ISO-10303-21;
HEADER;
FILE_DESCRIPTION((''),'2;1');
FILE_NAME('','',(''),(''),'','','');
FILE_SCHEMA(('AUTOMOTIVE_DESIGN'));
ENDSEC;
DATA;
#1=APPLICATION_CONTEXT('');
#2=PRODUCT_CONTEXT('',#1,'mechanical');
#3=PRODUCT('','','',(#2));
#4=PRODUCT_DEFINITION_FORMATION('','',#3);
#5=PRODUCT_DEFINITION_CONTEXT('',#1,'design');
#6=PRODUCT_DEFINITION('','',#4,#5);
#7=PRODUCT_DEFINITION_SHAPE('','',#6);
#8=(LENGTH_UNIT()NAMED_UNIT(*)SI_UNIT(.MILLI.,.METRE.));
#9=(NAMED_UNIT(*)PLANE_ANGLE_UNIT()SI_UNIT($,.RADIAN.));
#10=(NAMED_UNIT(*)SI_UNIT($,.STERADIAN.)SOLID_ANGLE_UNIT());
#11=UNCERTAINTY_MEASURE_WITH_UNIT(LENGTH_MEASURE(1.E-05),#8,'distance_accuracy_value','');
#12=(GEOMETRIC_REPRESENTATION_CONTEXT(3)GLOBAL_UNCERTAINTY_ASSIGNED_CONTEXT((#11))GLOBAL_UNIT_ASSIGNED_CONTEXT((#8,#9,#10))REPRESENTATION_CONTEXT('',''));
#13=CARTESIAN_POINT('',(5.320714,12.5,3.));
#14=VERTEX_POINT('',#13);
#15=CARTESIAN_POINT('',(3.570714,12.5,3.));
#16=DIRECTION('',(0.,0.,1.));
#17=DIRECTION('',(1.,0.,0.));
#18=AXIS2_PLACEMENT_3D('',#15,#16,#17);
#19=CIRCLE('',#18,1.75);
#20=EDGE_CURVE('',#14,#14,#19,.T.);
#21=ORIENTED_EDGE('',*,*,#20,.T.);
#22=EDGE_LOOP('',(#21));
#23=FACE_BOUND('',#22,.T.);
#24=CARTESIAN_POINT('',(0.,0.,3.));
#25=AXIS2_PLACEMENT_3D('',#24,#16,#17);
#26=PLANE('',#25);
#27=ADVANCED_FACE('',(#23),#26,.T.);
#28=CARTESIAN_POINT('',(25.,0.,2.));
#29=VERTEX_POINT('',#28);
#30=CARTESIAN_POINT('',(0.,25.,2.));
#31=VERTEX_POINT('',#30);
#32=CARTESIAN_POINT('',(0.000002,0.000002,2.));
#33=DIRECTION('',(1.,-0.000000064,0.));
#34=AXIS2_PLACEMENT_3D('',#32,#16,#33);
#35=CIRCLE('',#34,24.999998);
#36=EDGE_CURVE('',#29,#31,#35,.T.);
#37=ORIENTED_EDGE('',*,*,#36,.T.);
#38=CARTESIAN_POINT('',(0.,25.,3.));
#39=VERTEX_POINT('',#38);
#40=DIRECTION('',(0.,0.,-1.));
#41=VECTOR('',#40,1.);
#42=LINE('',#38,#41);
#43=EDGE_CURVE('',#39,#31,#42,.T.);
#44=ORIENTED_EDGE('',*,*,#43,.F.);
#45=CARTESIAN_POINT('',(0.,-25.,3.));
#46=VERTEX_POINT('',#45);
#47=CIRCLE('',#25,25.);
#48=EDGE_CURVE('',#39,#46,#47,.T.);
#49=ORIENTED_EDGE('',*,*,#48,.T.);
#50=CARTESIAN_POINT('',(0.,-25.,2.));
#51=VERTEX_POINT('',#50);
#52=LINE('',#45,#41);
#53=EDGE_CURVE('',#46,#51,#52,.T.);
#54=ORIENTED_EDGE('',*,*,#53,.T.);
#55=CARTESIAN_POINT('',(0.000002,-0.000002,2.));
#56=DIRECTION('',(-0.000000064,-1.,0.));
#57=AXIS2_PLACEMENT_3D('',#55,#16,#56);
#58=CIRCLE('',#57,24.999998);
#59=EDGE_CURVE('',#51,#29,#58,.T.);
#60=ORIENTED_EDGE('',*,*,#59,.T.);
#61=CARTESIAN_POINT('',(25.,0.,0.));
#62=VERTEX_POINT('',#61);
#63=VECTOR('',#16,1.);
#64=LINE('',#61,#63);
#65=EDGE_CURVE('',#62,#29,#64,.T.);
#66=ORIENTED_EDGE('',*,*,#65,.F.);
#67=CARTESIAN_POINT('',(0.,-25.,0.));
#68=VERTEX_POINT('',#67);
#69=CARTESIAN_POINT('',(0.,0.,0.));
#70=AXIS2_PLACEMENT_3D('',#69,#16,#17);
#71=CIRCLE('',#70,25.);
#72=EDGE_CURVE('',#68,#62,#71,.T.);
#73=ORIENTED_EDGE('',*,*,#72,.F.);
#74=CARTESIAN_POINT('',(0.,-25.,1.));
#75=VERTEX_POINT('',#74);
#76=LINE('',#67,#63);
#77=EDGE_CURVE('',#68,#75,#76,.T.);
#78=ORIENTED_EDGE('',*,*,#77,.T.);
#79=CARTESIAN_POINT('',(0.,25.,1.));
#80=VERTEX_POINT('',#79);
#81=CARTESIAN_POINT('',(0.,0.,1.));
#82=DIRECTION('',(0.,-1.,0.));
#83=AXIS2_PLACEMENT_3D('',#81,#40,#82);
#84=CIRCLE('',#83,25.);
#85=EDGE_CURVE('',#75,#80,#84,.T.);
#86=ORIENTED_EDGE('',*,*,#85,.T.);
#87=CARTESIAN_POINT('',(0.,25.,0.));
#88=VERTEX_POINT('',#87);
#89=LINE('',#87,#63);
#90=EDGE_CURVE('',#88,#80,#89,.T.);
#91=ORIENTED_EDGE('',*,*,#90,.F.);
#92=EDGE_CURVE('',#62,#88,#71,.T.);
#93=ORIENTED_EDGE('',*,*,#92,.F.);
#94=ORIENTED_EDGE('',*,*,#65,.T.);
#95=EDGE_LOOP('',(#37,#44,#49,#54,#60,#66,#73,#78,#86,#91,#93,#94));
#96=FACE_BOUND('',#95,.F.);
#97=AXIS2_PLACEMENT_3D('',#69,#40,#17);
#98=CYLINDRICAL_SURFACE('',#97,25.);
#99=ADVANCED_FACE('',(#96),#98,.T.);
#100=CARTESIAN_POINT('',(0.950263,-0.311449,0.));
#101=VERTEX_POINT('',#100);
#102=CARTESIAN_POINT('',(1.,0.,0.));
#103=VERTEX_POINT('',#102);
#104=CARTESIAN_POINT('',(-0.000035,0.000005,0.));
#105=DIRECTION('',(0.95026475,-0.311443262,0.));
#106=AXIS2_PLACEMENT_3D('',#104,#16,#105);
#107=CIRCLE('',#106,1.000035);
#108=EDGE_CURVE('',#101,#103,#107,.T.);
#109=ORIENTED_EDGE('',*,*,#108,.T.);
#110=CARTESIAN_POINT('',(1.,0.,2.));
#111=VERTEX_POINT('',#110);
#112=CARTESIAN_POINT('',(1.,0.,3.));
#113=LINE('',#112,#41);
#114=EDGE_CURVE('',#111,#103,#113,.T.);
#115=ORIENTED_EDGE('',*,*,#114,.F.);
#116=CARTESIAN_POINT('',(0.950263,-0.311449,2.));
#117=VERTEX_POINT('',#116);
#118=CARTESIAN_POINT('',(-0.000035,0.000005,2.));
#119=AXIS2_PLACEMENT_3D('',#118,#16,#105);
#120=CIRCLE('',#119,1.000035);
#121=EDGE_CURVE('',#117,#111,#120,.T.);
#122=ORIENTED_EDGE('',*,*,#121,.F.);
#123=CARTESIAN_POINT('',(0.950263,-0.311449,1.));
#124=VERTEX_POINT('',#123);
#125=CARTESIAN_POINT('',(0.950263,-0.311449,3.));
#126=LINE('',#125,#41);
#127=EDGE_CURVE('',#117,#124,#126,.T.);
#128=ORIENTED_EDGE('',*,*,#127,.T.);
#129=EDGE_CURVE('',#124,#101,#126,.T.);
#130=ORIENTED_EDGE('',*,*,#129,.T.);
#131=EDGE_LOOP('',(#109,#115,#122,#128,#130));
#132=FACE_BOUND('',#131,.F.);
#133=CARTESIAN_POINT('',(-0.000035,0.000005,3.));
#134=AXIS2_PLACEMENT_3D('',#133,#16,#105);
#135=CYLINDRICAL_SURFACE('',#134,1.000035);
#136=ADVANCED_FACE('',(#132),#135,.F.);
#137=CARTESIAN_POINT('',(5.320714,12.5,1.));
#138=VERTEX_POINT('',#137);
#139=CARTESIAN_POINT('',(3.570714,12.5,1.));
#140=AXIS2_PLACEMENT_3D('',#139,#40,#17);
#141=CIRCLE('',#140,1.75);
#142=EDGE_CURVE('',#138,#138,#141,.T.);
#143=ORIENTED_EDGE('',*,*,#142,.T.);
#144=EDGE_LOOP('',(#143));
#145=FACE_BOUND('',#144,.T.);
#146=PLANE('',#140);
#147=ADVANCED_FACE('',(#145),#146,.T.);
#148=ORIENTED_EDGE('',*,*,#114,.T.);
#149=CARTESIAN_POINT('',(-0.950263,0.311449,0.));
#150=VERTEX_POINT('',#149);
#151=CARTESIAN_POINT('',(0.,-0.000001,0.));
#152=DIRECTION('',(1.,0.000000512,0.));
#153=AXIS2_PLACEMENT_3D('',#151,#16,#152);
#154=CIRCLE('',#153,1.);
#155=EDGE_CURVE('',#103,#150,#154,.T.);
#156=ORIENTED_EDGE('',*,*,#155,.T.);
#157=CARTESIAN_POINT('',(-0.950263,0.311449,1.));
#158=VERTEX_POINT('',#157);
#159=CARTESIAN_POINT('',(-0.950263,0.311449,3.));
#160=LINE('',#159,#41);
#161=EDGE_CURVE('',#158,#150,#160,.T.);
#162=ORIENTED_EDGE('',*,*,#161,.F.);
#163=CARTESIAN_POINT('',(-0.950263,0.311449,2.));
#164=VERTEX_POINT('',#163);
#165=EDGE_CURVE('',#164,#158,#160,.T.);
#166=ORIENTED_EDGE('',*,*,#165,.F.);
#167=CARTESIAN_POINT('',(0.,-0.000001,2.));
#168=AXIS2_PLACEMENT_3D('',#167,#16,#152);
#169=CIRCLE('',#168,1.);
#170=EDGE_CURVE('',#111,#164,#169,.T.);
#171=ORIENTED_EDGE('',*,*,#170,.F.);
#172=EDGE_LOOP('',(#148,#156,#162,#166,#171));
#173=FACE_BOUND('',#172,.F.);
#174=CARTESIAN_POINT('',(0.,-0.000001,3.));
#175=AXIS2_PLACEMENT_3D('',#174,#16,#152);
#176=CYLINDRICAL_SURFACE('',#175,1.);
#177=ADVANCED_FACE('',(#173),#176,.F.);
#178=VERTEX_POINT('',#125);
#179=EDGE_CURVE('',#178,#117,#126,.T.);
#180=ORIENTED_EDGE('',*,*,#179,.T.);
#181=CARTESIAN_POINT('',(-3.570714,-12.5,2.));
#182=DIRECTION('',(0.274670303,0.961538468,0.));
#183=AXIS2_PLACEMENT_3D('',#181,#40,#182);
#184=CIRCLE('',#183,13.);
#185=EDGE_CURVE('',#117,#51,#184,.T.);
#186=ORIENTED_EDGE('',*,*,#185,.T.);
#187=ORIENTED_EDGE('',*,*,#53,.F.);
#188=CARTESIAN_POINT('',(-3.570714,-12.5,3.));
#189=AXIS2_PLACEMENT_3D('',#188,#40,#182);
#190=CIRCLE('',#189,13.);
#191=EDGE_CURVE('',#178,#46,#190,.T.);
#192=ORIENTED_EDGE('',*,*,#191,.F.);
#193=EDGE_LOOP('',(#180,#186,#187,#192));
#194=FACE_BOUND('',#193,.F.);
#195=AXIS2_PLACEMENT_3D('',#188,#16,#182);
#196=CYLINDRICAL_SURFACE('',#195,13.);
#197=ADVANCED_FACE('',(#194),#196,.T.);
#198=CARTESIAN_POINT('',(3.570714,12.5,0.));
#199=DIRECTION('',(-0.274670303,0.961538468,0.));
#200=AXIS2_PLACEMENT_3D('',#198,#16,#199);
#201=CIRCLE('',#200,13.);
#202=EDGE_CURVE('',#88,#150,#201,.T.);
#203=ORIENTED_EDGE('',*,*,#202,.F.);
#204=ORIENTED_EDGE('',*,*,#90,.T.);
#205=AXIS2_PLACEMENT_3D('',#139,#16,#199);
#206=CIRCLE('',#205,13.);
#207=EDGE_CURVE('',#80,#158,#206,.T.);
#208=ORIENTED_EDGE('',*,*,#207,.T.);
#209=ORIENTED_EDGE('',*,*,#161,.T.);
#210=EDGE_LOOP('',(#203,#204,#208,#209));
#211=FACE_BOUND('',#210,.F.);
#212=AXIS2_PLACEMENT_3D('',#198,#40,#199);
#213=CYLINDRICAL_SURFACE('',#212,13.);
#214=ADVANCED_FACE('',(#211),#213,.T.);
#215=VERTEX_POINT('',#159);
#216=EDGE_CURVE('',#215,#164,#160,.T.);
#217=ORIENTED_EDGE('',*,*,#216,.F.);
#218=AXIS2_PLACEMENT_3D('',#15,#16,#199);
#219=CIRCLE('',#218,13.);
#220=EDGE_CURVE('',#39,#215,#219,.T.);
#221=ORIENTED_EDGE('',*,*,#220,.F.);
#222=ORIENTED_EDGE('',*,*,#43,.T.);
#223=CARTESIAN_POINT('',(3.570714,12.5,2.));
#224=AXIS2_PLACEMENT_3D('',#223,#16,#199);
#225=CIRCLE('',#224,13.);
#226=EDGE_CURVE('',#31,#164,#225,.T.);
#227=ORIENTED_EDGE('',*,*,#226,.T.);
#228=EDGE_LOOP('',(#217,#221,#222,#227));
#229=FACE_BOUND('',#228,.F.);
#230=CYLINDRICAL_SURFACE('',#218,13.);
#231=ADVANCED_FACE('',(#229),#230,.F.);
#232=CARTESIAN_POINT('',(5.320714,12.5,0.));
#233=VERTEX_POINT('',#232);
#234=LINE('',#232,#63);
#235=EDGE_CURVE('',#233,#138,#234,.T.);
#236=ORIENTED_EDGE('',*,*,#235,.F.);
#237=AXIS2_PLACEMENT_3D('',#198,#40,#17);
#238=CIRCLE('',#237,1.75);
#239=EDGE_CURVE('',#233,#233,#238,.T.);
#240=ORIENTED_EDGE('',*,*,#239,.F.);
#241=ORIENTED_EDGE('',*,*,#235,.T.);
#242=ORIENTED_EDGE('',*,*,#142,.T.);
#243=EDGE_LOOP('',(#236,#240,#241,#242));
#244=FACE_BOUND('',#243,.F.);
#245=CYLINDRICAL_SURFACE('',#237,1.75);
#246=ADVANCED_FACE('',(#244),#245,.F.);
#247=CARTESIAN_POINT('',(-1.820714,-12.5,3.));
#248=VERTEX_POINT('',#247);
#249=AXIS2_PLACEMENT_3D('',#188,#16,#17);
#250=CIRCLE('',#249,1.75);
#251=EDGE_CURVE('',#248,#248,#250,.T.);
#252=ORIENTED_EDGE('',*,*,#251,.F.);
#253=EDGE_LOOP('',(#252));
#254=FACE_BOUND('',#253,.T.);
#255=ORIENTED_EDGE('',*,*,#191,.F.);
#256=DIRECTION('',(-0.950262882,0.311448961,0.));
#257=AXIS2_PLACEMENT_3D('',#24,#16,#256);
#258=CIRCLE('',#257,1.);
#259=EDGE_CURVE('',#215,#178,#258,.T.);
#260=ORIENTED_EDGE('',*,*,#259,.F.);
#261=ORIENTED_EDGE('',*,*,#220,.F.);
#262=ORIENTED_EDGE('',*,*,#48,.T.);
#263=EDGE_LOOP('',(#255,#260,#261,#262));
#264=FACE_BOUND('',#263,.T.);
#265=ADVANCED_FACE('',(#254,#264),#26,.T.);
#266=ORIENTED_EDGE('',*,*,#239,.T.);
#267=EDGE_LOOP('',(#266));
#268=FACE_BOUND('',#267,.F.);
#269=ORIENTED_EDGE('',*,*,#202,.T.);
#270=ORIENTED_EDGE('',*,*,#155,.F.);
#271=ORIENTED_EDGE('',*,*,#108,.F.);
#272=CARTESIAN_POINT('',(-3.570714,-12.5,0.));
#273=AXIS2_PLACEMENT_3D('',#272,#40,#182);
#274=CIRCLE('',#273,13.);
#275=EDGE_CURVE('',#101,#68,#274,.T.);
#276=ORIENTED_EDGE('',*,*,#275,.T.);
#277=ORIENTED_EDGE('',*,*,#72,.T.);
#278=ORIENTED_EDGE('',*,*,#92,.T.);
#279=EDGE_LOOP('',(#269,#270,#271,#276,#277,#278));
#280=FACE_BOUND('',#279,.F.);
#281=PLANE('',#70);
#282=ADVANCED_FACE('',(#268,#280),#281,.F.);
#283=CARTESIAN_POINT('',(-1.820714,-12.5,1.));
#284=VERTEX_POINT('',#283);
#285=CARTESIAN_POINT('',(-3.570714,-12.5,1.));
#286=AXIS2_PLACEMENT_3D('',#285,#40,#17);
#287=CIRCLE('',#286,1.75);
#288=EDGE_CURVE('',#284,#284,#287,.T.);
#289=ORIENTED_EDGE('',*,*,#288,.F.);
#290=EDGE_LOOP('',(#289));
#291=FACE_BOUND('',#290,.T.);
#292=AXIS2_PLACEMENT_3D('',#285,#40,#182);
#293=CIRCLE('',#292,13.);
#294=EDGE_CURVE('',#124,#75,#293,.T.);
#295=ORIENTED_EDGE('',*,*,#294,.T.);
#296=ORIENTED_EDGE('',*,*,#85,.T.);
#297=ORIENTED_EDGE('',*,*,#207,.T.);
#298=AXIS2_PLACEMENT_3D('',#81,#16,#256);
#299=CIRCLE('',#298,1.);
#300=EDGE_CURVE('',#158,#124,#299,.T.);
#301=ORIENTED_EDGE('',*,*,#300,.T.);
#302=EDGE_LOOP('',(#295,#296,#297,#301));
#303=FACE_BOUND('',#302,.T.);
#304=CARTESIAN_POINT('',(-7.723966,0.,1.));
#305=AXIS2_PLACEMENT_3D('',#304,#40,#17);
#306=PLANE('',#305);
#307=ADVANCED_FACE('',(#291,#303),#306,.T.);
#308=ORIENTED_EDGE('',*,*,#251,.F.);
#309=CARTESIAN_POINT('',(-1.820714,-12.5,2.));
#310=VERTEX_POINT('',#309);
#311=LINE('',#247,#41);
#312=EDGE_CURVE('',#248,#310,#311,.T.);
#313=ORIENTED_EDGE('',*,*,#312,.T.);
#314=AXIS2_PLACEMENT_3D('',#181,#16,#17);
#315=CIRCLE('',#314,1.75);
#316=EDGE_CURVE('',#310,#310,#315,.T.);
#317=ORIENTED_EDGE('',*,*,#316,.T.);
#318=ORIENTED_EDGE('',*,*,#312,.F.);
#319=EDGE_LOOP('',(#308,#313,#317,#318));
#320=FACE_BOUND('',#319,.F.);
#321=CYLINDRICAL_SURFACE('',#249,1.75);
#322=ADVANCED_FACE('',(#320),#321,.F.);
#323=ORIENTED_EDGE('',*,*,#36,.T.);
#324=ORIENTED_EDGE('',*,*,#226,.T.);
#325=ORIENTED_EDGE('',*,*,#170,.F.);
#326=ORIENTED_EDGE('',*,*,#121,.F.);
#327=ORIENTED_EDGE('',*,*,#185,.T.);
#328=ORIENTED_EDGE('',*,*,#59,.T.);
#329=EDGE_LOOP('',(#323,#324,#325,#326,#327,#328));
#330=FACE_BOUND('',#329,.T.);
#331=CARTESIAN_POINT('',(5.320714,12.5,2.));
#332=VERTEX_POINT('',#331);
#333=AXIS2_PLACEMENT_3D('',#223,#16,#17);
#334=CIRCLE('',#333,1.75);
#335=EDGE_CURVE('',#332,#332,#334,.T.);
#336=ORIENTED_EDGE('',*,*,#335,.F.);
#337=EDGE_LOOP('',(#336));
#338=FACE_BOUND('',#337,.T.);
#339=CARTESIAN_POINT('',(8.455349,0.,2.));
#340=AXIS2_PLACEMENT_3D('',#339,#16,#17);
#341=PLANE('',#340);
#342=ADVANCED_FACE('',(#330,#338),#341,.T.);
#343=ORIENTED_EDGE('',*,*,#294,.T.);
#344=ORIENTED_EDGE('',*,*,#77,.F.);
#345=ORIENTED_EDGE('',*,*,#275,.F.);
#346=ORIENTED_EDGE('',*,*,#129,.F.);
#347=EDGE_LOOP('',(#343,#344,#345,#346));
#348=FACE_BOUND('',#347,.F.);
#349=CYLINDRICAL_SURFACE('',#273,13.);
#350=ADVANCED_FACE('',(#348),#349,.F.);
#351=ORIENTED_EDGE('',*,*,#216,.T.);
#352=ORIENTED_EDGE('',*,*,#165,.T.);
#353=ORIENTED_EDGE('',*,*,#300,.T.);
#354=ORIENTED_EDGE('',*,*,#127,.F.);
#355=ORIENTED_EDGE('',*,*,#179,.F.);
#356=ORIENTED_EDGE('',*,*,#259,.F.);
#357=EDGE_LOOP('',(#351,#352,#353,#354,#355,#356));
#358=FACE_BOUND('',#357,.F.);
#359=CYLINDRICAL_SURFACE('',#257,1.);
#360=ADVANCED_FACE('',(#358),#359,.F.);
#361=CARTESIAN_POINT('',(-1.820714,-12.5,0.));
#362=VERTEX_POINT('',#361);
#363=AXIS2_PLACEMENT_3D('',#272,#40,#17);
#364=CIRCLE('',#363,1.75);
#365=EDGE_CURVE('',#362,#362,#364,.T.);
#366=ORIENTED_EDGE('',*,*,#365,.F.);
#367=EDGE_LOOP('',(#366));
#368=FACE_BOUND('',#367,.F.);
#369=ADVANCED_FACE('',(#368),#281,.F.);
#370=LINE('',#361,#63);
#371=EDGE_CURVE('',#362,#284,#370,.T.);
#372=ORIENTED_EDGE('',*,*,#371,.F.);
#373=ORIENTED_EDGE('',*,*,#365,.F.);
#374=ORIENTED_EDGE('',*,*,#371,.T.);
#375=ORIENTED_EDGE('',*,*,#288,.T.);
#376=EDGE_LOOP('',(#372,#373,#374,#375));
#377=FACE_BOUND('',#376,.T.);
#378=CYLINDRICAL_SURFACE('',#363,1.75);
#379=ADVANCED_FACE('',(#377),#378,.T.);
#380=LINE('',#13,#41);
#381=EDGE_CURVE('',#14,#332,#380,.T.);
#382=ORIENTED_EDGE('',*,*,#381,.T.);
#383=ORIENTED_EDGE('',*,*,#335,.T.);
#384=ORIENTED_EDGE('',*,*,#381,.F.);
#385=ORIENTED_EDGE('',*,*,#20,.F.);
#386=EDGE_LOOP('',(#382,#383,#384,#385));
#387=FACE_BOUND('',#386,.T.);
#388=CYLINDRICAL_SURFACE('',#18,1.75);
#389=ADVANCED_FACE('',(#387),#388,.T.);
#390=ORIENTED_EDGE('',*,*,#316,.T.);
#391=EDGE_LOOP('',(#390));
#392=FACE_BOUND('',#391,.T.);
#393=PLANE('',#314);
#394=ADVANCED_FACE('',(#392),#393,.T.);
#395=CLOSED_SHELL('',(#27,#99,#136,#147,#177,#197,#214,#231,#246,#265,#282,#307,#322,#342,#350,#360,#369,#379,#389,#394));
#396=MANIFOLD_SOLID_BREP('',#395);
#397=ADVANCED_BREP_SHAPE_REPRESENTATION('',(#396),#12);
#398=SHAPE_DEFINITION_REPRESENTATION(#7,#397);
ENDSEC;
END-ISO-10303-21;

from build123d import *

# Parameters (mm, degrees)
F0_R     = 25
F1_DEPTH = 3
F2_R     = 1.75
F3_DEPTH = 1
F4_R     = 1.75
F5_DEPTH = 1
F7_DEPTH = 25


with BuildPart() as f1:
    # F0 (on Top) → F1 (new body)
    with BuildSketch(Plane.XY):
        Circle(F0_R)
    extrude(amount=F1_DEPTH)

    # F2 (on face) → F3 (cut)
    with BuildSketch(Plane.XY.offset(3)):
        with BuildLine():
            ThreePointArc((0, -25), (17.67767, -17.67767), (25, 0))
            ThreePointArc((25, 0), (17.67767, 17.67767), (0, 25))
            ThreePointArc((0, 25), (-9.429286, 12.5), (0, 0))
            ThreePointArc((0, 0), (9.429286, -12.5), (0, -25))
        make_face()
        with Locations((3.570714, 12.5)):
            Circle(F2_R, mode=Mode.SUBTRACT)
        with Locations((-3.570714, -12.5)):
            Circle(F2_R)
    extrude(amount=-F3_DEPTH, mode=Mode.SUBTRACT)

    # F4 (on face) → F5 (cut)
    with BuildSketch(Plane(origin=(0, 0, 0), x_dir=(1, 0, 0), z_dir=(0, 0, -1))):
        with BuildLine():
            ThreePointArc((0, 0), (9.429286, 12.5), (0, 25))
            ThreePointArc((0, 25), (-25, 0), (0, -25))
            ThreePointArc((0, -25), (-9.429286, -12.5), (0, 0))
        make_face()
        with Locations((-3.570714, 12.5)):
            Circle(F4_R, mode=Mode.SUBTRACT)
        with Locations((3.570714, -12.5)):
            Circle(F4_R)
    extrude(amount=-F5_DEPTH, mode=Mode.SUBTRACT)

    # F6 (on face) → F7 (cut)
    with BuildSketch(Plane.XY.offset(3)):
        with BuildLine():
            ThreePointArc((0, 0), (-0.478127, 0.146584), (-0.950263, 0.311449))
            ThreePointArc((-0.950263, 0.311449), (-0.311449, -0.950263), (0.950263, -0.311449))
            ThreePointArc((0.950263, -0.311449), (0.478127, -0.146584), (0, 0))
        make_face()
        with BuildLine():
            ThreePointArc((0.950263, -0.311449), (0.987487, -0.157698), (1, 0))
            ThreePointArc((1, 0), (0.157698, 0.987487), (-0.950263, 0.311449))
            ThreePointArc((-0.950263, 0.311449), (-0.478127, 0.146584), (0, 0))
            ThreePointArc((0, 0), (0.478127, -0.146584), (0.950263, -0.311449))
        make_face()
    extrude(amount=-F7_DEPTH, mode=Mode.SUBTRACT)


solid = f1.part
